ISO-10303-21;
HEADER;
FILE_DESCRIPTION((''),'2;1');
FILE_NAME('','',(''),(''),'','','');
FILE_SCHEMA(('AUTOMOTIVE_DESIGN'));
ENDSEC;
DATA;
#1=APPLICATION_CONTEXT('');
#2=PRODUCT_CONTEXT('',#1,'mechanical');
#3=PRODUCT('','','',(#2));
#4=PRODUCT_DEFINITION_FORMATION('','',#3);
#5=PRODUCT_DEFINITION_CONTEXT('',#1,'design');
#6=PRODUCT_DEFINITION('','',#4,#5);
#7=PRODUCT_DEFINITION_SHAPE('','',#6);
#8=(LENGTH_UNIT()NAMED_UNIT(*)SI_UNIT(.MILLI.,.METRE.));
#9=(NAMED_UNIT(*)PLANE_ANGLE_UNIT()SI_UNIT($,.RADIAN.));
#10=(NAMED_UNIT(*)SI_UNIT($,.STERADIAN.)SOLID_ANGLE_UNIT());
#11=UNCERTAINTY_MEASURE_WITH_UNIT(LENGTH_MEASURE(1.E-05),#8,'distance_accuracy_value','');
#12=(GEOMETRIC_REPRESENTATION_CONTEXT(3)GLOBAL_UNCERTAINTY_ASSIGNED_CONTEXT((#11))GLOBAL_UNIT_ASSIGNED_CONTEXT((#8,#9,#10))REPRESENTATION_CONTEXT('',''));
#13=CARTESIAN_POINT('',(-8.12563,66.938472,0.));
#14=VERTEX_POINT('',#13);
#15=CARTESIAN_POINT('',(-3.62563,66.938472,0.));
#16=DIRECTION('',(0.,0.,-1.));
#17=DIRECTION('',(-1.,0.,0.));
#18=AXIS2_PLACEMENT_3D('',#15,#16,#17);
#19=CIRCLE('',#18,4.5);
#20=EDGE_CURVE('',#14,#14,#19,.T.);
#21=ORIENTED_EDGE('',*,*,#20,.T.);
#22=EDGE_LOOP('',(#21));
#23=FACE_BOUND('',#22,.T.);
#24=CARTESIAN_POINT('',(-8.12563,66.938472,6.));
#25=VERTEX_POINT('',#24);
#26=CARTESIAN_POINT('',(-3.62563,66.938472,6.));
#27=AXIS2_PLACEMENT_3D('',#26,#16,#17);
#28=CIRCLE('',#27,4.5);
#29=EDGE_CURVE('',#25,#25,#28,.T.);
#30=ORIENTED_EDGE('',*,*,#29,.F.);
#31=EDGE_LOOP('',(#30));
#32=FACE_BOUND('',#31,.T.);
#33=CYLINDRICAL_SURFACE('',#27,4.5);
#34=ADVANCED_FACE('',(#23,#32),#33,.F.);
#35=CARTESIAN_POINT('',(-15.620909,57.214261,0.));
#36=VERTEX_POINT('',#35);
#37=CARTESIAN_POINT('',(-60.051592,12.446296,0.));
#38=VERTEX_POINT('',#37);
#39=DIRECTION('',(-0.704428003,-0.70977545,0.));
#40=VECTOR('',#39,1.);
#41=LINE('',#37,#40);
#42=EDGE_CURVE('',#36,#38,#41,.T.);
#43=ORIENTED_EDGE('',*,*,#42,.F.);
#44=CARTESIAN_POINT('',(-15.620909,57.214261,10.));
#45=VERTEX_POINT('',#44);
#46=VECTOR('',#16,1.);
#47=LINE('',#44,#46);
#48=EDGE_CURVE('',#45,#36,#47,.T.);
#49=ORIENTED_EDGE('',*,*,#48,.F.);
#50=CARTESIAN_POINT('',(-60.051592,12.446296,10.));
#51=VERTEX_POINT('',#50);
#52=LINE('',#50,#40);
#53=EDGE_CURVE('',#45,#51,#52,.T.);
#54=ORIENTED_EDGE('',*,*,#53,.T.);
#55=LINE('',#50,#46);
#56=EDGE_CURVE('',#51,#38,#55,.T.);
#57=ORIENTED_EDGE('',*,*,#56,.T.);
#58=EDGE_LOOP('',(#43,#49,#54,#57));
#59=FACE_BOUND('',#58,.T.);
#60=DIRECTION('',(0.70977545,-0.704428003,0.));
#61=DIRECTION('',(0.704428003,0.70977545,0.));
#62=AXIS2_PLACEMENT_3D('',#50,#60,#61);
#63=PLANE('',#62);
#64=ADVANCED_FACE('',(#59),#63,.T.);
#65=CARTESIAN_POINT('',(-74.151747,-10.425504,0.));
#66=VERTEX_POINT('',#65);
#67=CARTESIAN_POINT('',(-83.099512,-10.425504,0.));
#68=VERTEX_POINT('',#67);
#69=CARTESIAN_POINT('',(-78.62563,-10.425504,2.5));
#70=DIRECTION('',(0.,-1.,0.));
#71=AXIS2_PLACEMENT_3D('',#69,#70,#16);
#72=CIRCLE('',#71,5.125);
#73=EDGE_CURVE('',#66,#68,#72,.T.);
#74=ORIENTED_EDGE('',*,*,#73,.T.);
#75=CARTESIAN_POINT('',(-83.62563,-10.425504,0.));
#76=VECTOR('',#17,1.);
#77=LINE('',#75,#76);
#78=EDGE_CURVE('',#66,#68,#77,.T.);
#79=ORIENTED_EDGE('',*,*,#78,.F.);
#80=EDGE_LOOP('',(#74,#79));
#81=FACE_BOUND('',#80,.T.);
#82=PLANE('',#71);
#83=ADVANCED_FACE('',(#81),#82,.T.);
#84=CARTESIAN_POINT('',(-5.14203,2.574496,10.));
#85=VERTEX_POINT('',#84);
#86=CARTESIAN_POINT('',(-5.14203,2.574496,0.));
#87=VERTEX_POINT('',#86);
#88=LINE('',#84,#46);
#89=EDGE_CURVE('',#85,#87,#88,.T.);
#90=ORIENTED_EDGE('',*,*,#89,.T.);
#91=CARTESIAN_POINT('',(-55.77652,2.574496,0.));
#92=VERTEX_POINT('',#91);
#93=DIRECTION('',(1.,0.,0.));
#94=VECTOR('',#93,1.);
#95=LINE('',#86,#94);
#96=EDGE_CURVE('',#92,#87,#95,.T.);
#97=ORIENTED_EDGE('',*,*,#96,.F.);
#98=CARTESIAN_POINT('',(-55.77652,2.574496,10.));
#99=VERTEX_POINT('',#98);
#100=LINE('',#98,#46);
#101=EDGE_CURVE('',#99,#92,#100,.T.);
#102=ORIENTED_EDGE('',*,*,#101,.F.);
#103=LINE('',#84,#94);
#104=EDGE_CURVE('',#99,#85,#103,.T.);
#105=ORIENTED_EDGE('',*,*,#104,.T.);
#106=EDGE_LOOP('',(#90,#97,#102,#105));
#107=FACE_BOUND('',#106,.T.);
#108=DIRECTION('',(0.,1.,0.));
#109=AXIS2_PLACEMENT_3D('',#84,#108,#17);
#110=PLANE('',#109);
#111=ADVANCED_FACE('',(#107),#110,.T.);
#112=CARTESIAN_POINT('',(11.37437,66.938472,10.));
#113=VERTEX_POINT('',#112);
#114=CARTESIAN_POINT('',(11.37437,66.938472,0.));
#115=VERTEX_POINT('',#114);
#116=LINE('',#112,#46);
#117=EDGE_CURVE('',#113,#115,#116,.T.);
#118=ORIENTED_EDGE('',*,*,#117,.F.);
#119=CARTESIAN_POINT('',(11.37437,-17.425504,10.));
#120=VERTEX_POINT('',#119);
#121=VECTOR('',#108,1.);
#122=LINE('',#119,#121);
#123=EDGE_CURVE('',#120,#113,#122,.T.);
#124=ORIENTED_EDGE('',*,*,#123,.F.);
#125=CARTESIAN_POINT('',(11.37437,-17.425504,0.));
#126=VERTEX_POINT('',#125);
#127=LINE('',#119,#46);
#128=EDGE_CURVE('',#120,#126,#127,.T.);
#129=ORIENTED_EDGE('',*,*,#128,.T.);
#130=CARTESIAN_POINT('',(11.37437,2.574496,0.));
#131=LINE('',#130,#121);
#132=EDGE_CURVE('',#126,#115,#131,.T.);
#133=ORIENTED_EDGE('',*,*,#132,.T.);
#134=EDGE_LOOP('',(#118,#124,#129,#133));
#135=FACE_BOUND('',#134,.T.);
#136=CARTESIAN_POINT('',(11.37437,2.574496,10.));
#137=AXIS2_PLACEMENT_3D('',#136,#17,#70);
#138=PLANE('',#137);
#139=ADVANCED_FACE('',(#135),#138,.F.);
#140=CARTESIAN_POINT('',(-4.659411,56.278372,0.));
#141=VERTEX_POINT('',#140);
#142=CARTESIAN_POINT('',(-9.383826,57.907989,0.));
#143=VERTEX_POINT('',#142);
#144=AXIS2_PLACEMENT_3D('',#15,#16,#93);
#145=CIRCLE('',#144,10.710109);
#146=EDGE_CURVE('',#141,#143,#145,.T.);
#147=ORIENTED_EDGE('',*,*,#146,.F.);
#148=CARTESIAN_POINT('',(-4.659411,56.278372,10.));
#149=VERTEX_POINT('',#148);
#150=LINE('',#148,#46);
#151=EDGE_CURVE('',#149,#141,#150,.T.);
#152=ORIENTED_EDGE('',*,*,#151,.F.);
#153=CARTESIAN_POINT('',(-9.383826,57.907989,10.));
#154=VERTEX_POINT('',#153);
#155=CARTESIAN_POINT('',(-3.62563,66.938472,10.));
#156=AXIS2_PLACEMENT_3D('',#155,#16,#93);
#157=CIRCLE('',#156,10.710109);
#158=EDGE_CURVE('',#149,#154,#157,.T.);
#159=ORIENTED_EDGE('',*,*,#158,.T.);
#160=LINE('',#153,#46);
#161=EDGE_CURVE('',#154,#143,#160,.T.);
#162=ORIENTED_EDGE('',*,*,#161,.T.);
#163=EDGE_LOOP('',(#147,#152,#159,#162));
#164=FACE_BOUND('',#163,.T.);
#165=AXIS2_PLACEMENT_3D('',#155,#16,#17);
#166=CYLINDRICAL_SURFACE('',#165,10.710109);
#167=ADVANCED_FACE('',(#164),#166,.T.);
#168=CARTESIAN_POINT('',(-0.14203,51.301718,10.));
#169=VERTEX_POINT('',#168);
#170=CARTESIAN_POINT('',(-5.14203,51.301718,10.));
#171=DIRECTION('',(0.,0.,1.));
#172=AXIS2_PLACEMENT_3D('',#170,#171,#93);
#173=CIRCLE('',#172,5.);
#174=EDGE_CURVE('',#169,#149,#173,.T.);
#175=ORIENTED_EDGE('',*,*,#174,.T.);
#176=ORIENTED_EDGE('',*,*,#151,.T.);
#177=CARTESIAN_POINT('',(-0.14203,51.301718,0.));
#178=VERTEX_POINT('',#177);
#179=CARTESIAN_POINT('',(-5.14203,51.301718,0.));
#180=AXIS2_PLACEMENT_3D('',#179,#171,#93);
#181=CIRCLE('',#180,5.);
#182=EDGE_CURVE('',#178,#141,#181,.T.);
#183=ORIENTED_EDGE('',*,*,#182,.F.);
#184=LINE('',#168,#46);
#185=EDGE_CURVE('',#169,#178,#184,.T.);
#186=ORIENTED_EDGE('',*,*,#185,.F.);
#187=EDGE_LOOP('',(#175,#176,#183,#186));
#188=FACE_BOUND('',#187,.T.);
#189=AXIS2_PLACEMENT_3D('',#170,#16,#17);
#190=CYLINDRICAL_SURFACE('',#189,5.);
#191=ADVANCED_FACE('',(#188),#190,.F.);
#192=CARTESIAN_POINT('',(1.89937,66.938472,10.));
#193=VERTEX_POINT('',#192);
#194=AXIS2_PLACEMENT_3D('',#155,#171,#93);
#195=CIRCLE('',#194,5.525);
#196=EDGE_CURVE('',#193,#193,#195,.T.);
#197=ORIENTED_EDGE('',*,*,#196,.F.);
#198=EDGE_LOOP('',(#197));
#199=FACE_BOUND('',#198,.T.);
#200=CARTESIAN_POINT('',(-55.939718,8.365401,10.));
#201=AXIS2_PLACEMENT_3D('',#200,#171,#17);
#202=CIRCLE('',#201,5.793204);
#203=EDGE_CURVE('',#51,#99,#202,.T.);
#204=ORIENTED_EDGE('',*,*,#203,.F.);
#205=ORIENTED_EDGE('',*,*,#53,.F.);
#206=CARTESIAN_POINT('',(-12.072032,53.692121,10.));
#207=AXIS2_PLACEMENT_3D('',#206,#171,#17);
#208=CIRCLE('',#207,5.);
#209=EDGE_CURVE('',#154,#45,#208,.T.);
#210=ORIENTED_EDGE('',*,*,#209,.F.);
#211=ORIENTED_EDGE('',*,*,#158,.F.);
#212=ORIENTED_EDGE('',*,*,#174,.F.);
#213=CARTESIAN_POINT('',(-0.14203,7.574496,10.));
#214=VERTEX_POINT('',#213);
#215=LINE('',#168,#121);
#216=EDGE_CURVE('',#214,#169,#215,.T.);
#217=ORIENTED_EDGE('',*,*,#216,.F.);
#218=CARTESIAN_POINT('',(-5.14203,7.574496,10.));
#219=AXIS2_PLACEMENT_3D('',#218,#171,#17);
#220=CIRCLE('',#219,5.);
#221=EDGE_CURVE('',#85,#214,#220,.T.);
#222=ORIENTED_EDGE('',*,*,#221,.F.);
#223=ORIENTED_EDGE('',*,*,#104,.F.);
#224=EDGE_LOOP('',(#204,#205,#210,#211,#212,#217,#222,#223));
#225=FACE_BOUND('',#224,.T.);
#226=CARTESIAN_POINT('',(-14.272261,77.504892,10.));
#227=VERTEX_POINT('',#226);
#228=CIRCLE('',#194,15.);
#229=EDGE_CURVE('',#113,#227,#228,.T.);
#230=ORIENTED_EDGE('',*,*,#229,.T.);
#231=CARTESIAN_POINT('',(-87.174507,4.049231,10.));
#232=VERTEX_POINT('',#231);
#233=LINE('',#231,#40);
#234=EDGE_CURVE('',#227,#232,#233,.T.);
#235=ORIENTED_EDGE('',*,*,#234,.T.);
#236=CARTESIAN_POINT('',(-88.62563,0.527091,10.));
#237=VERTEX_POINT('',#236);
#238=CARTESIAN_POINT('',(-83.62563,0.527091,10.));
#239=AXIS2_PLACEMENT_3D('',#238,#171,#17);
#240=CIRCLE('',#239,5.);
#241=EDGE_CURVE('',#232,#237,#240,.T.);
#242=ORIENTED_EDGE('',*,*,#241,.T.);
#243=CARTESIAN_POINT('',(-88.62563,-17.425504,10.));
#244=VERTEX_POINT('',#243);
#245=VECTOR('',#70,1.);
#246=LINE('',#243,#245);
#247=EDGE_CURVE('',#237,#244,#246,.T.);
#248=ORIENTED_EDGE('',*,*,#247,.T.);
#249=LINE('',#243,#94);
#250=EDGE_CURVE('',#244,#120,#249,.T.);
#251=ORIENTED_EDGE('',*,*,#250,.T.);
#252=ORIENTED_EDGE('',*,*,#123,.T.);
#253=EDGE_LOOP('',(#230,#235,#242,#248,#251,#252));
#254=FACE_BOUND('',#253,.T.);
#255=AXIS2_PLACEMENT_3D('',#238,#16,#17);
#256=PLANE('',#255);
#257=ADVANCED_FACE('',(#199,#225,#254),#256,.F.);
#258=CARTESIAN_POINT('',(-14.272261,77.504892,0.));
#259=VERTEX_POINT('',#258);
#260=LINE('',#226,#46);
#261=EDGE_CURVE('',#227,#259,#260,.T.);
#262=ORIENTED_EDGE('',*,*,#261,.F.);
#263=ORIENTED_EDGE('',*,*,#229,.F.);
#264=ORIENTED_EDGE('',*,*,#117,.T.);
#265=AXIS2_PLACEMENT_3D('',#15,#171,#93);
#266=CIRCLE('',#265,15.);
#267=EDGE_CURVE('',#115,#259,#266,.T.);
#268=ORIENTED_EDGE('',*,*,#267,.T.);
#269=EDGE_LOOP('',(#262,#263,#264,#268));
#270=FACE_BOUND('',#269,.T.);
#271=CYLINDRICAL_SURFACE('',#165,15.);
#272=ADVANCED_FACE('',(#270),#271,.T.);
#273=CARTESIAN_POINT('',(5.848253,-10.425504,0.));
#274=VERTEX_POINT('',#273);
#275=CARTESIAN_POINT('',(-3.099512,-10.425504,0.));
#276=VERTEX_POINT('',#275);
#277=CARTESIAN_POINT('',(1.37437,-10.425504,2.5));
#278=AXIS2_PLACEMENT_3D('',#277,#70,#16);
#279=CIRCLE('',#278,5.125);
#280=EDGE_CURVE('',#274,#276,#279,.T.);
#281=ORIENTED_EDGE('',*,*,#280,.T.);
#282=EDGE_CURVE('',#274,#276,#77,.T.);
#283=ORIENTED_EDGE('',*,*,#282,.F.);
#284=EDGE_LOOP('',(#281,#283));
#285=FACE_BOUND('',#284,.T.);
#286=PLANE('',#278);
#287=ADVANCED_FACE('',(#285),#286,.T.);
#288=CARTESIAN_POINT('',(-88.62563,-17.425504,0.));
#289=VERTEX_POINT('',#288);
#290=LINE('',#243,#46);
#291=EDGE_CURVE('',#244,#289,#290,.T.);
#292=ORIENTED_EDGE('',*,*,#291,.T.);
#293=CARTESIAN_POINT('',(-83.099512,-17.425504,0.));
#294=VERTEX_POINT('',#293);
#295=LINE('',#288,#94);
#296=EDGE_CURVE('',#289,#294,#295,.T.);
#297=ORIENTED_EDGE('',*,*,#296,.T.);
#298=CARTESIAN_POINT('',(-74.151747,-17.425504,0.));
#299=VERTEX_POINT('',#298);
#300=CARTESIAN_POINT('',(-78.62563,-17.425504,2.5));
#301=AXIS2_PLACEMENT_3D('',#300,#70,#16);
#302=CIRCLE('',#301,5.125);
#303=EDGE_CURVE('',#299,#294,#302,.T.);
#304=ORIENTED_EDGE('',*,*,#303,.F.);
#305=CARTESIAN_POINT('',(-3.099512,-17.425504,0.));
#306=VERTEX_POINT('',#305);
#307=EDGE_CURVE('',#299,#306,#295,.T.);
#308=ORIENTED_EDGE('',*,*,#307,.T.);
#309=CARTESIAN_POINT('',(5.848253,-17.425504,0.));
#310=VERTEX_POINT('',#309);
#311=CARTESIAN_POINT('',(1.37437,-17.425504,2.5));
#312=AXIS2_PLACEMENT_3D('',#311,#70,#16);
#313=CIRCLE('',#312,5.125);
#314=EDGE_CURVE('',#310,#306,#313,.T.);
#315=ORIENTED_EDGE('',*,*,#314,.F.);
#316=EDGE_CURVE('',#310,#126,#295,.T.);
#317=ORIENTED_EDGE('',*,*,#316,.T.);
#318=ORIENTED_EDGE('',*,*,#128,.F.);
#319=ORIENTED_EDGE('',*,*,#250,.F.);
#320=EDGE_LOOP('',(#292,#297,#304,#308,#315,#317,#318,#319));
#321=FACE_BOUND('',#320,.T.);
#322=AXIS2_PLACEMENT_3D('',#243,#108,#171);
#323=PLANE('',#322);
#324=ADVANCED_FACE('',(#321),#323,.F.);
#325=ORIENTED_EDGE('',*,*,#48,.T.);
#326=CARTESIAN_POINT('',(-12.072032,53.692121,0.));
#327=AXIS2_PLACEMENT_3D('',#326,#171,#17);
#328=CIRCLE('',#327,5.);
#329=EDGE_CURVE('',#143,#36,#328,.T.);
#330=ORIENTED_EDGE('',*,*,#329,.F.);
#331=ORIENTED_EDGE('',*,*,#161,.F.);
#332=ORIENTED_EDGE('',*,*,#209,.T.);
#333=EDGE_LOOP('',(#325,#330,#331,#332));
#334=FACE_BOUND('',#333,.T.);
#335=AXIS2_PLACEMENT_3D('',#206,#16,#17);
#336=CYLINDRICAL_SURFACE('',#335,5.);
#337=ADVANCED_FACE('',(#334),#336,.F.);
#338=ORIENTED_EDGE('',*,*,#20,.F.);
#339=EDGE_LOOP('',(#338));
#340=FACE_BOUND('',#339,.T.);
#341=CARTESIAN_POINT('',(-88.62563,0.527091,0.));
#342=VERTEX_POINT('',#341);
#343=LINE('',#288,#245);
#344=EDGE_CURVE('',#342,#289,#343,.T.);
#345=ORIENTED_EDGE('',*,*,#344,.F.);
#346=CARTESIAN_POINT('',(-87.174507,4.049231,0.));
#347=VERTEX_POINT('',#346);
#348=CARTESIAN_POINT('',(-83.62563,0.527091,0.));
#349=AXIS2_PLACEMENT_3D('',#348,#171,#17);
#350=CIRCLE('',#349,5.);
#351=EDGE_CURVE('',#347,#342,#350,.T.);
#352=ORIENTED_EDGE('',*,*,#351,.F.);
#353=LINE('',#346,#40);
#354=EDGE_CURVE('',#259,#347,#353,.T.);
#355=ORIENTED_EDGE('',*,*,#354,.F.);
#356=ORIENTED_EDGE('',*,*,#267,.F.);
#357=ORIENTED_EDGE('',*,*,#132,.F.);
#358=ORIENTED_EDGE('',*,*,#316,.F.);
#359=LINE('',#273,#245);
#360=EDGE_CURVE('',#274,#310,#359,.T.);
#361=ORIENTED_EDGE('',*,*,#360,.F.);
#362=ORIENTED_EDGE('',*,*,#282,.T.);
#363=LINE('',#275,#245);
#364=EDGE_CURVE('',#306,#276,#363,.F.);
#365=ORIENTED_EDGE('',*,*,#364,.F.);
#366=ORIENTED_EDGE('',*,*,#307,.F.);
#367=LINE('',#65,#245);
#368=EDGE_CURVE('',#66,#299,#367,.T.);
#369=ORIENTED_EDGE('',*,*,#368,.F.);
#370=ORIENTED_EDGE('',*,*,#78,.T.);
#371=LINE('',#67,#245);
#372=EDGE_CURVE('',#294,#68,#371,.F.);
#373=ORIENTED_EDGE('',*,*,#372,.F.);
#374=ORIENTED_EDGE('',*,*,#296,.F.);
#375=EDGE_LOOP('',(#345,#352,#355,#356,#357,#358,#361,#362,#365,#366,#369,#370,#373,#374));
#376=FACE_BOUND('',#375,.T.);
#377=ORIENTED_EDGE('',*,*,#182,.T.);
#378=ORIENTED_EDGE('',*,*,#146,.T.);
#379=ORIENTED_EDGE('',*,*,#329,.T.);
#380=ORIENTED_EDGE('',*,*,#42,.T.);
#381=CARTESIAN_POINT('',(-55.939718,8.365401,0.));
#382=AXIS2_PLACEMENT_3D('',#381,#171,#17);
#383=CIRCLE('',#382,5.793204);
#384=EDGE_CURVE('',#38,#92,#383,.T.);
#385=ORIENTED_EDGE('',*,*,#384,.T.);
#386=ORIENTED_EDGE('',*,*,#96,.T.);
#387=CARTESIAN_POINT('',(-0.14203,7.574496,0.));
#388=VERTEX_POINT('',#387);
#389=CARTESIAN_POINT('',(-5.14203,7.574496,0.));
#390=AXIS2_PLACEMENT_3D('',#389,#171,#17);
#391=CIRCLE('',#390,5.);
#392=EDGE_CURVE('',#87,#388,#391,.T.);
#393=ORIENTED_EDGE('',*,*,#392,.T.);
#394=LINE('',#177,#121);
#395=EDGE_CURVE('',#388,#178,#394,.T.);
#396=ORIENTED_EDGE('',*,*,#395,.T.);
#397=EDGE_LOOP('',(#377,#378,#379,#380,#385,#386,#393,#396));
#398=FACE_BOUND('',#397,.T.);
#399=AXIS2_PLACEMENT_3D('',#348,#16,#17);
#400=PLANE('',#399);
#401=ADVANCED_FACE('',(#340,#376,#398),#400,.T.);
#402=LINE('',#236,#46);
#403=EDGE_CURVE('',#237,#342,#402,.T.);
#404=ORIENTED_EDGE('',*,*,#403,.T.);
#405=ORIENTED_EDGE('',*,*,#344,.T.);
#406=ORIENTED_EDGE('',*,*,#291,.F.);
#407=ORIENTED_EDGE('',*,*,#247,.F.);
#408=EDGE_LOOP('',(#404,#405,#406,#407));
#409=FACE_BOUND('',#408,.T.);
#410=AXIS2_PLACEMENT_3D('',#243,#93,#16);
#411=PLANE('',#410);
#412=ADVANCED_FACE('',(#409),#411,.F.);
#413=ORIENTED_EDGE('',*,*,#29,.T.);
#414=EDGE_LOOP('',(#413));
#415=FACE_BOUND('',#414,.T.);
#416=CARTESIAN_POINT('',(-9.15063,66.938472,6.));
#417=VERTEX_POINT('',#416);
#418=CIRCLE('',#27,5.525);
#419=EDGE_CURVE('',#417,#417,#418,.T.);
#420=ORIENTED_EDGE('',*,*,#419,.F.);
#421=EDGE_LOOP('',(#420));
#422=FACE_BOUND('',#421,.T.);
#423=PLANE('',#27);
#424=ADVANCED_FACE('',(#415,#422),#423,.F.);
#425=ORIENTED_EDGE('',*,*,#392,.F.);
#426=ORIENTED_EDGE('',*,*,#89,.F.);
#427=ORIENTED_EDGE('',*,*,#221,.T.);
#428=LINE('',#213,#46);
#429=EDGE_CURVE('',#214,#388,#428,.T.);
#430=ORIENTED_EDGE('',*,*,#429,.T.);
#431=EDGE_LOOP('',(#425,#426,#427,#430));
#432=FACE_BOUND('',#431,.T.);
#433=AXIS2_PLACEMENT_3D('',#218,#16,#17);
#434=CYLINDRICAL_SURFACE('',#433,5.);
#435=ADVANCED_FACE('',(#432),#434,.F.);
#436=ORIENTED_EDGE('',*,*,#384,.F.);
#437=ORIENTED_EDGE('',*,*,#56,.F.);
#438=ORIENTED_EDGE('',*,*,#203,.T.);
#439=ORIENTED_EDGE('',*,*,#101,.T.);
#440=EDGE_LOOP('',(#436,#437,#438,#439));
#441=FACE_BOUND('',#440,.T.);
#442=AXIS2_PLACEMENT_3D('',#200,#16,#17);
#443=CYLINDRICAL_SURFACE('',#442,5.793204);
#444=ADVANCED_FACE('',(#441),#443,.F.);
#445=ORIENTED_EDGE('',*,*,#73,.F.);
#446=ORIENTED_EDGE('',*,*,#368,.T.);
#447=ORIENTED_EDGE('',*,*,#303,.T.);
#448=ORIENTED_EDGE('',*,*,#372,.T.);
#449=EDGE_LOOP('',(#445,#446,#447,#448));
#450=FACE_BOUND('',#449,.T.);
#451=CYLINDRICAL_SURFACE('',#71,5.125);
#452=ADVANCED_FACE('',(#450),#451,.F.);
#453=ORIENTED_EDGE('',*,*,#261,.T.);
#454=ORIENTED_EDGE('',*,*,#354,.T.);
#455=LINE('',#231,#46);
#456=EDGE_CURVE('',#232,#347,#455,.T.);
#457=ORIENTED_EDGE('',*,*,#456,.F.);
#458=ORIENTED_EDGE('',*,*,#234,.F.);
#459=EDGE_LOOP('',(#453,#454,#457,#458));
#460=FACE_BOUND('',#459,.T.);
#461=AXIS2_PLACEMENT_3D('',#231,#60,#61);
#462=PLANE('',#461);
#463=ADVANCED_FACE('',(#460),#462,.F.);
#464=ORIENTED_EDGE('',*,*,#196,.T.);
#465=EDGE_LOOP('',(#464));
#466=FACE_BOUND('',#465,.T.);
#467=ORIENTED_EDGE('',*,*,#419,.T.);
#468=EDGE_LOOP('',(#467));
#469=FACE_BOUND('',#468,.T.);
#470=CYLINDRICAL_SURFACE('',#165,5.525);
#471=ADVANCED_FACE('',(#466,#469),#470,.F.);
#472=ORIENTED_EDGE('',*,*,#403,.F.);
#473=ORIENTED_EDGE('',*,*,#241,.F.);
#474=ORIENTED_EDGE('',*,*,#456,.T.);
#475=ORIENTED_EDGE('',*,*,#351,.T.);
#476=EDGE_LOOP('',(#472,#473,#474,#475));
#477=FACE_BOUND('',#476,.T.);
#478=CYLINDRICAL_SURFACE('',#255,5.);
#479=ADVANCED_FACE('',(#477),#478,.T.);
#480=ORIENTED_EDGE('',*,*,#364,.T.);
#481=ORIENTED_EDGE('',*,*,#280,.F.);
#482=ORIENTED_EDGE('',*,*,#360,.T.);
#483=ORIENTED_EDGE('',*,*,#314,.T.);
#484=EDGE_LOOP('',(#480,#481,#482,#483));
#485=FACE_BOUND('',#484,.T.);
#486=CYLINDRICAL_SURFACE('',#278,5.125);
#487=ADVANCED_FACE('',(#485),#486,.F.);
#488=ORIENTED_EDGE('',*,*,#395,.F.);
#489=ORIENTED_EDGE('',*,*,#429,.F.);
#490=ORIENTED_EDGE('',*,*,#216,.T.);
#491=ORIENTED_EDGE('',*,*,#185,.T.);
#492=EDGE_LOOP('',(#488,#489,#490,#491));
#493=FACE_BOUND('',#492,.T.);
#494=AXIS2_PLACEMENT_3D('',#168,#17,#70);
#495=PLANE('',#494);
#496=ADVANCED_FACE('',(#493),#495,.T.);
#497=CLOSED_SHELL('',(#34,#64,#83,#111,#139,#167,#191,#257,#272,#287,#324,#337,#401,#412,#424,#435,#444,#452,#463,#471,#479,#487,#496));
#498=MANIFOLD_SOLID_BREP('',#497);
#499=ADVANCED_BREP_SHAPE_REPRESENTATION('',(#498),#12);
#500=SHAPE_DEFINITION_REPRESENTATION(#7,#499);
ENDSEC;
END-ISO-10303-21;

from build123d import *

# Parameters (mm, degrees)
SKETCH2_R           = 5.525
BOSS_EXTRUDE1_DEPTH = 10
SKETCH4_R           = 5.125
CUT_EXTRUDE2_DEPTH  = 7
SKETCH5_R           = 5.525
SKETCH5_R_2         = 4.5
BOSS_EXTRUDE4_DEPTH = 6


with BuildPart() as part:
    # Sketch2 → Boss-Extrude1 (new body)
    with BuildSketch(Plane.XY):
        with BuildLine():
            Line((-88.62562975, 0.527091372), (-88.62562975, -17.425503603))
            Line((-88.62562975, -17.425503603), (11.37437025, -17.425503603))
            Line((11.37437025, -17.425503603), (11.37437025, 2.574496397))
            Line((11.37437025, 2.574496397), (11.37437025, 66.938471641))
            ThreePointArc((11.37437025, 66.938471641), (2.08841102, 80.807492446), (-14.272261494, 77.504891684))
            Line((-14.272261494, 77.504891684), (-87.174506998, 4.049231386))
            ThreePointArc((-87.174506998, 4.049231386), (-88.248636685, 2.431771629), (-88.62562975, 0.527091372))
        make_face()
        with BuildLine():
            ThreePointArc((-55.776519908, 2.574496397), (-61.255836785, 6.063207717), (-60.051592087, 12.446295905))
            Line((-60.051592087, 12.446295905), (-15.620909093, 57.214260654))
            ThreePointArc((-15.620909093, 57.214260654), (-12.624755601, 58.661476378), (-9.38382576, 57.907989239))
            ThreePointArc((-9.38382576, 57.907989239), (-7.11800033, 56.813760216), (-4.659411057, 56.278371739))
            ThreePointArc((-4.659411057, 56.278371739), (-1.43979486, 54.662291481), (-0.142030474, 51.301718396))
            Line((-0.142030474, 51.301718396), (-0.142030474, 7.574496397))
            ThreePointArc((-0.142030474, 7.574496397), (-1.606496568, 4.038962491), (-5.142030474, 2.574496397))
            Line((-5.142030474, 2.574496397), (-55.776519908, 2.574496397))
        make_face(mode=Mode.SUBTRACT)
        with Locations((-3.62562975, 66.938471641)):
            Circle(SKETCH2_R, mode=Mode.SUBTRACT)
    extrude(amount=BOSS_EXTRUDE1_DEPTH)

    # Sketch4 → Cut-Extrude2 (cut)
    with BuildSketch(Plane.XZ.offset(17.425503603)):
        with Locations((-78.62562975, 2.5)):
            Circle(SKETCH4_R)
        with Locations((1.37437025, 2.5)):
            Circle(SKETCH4_R)
    extrude(amount=-CUT_EXTRUDE2_DEPTH, mode=Mode.SUBTRACT)

    # Sketch5 → Boss-Extrude4 (add)
    with BuildSketch(Plane(origin=(0, 0, 0), x_dir=(-1, 0, 0), z_dir=(0, 0, -1))):
        with Locations((3.62562975, 66.938471641)):
            Circle(SKETCH5_R)
        with Locations((3.62562975, 66.938471641)):
            Circle(SKETCH5_R_2, mode=Mode.SUBTRACT)
    extrude(amount=-BOSS_EXTRUDE4_DEPTH)


solid = part.part
